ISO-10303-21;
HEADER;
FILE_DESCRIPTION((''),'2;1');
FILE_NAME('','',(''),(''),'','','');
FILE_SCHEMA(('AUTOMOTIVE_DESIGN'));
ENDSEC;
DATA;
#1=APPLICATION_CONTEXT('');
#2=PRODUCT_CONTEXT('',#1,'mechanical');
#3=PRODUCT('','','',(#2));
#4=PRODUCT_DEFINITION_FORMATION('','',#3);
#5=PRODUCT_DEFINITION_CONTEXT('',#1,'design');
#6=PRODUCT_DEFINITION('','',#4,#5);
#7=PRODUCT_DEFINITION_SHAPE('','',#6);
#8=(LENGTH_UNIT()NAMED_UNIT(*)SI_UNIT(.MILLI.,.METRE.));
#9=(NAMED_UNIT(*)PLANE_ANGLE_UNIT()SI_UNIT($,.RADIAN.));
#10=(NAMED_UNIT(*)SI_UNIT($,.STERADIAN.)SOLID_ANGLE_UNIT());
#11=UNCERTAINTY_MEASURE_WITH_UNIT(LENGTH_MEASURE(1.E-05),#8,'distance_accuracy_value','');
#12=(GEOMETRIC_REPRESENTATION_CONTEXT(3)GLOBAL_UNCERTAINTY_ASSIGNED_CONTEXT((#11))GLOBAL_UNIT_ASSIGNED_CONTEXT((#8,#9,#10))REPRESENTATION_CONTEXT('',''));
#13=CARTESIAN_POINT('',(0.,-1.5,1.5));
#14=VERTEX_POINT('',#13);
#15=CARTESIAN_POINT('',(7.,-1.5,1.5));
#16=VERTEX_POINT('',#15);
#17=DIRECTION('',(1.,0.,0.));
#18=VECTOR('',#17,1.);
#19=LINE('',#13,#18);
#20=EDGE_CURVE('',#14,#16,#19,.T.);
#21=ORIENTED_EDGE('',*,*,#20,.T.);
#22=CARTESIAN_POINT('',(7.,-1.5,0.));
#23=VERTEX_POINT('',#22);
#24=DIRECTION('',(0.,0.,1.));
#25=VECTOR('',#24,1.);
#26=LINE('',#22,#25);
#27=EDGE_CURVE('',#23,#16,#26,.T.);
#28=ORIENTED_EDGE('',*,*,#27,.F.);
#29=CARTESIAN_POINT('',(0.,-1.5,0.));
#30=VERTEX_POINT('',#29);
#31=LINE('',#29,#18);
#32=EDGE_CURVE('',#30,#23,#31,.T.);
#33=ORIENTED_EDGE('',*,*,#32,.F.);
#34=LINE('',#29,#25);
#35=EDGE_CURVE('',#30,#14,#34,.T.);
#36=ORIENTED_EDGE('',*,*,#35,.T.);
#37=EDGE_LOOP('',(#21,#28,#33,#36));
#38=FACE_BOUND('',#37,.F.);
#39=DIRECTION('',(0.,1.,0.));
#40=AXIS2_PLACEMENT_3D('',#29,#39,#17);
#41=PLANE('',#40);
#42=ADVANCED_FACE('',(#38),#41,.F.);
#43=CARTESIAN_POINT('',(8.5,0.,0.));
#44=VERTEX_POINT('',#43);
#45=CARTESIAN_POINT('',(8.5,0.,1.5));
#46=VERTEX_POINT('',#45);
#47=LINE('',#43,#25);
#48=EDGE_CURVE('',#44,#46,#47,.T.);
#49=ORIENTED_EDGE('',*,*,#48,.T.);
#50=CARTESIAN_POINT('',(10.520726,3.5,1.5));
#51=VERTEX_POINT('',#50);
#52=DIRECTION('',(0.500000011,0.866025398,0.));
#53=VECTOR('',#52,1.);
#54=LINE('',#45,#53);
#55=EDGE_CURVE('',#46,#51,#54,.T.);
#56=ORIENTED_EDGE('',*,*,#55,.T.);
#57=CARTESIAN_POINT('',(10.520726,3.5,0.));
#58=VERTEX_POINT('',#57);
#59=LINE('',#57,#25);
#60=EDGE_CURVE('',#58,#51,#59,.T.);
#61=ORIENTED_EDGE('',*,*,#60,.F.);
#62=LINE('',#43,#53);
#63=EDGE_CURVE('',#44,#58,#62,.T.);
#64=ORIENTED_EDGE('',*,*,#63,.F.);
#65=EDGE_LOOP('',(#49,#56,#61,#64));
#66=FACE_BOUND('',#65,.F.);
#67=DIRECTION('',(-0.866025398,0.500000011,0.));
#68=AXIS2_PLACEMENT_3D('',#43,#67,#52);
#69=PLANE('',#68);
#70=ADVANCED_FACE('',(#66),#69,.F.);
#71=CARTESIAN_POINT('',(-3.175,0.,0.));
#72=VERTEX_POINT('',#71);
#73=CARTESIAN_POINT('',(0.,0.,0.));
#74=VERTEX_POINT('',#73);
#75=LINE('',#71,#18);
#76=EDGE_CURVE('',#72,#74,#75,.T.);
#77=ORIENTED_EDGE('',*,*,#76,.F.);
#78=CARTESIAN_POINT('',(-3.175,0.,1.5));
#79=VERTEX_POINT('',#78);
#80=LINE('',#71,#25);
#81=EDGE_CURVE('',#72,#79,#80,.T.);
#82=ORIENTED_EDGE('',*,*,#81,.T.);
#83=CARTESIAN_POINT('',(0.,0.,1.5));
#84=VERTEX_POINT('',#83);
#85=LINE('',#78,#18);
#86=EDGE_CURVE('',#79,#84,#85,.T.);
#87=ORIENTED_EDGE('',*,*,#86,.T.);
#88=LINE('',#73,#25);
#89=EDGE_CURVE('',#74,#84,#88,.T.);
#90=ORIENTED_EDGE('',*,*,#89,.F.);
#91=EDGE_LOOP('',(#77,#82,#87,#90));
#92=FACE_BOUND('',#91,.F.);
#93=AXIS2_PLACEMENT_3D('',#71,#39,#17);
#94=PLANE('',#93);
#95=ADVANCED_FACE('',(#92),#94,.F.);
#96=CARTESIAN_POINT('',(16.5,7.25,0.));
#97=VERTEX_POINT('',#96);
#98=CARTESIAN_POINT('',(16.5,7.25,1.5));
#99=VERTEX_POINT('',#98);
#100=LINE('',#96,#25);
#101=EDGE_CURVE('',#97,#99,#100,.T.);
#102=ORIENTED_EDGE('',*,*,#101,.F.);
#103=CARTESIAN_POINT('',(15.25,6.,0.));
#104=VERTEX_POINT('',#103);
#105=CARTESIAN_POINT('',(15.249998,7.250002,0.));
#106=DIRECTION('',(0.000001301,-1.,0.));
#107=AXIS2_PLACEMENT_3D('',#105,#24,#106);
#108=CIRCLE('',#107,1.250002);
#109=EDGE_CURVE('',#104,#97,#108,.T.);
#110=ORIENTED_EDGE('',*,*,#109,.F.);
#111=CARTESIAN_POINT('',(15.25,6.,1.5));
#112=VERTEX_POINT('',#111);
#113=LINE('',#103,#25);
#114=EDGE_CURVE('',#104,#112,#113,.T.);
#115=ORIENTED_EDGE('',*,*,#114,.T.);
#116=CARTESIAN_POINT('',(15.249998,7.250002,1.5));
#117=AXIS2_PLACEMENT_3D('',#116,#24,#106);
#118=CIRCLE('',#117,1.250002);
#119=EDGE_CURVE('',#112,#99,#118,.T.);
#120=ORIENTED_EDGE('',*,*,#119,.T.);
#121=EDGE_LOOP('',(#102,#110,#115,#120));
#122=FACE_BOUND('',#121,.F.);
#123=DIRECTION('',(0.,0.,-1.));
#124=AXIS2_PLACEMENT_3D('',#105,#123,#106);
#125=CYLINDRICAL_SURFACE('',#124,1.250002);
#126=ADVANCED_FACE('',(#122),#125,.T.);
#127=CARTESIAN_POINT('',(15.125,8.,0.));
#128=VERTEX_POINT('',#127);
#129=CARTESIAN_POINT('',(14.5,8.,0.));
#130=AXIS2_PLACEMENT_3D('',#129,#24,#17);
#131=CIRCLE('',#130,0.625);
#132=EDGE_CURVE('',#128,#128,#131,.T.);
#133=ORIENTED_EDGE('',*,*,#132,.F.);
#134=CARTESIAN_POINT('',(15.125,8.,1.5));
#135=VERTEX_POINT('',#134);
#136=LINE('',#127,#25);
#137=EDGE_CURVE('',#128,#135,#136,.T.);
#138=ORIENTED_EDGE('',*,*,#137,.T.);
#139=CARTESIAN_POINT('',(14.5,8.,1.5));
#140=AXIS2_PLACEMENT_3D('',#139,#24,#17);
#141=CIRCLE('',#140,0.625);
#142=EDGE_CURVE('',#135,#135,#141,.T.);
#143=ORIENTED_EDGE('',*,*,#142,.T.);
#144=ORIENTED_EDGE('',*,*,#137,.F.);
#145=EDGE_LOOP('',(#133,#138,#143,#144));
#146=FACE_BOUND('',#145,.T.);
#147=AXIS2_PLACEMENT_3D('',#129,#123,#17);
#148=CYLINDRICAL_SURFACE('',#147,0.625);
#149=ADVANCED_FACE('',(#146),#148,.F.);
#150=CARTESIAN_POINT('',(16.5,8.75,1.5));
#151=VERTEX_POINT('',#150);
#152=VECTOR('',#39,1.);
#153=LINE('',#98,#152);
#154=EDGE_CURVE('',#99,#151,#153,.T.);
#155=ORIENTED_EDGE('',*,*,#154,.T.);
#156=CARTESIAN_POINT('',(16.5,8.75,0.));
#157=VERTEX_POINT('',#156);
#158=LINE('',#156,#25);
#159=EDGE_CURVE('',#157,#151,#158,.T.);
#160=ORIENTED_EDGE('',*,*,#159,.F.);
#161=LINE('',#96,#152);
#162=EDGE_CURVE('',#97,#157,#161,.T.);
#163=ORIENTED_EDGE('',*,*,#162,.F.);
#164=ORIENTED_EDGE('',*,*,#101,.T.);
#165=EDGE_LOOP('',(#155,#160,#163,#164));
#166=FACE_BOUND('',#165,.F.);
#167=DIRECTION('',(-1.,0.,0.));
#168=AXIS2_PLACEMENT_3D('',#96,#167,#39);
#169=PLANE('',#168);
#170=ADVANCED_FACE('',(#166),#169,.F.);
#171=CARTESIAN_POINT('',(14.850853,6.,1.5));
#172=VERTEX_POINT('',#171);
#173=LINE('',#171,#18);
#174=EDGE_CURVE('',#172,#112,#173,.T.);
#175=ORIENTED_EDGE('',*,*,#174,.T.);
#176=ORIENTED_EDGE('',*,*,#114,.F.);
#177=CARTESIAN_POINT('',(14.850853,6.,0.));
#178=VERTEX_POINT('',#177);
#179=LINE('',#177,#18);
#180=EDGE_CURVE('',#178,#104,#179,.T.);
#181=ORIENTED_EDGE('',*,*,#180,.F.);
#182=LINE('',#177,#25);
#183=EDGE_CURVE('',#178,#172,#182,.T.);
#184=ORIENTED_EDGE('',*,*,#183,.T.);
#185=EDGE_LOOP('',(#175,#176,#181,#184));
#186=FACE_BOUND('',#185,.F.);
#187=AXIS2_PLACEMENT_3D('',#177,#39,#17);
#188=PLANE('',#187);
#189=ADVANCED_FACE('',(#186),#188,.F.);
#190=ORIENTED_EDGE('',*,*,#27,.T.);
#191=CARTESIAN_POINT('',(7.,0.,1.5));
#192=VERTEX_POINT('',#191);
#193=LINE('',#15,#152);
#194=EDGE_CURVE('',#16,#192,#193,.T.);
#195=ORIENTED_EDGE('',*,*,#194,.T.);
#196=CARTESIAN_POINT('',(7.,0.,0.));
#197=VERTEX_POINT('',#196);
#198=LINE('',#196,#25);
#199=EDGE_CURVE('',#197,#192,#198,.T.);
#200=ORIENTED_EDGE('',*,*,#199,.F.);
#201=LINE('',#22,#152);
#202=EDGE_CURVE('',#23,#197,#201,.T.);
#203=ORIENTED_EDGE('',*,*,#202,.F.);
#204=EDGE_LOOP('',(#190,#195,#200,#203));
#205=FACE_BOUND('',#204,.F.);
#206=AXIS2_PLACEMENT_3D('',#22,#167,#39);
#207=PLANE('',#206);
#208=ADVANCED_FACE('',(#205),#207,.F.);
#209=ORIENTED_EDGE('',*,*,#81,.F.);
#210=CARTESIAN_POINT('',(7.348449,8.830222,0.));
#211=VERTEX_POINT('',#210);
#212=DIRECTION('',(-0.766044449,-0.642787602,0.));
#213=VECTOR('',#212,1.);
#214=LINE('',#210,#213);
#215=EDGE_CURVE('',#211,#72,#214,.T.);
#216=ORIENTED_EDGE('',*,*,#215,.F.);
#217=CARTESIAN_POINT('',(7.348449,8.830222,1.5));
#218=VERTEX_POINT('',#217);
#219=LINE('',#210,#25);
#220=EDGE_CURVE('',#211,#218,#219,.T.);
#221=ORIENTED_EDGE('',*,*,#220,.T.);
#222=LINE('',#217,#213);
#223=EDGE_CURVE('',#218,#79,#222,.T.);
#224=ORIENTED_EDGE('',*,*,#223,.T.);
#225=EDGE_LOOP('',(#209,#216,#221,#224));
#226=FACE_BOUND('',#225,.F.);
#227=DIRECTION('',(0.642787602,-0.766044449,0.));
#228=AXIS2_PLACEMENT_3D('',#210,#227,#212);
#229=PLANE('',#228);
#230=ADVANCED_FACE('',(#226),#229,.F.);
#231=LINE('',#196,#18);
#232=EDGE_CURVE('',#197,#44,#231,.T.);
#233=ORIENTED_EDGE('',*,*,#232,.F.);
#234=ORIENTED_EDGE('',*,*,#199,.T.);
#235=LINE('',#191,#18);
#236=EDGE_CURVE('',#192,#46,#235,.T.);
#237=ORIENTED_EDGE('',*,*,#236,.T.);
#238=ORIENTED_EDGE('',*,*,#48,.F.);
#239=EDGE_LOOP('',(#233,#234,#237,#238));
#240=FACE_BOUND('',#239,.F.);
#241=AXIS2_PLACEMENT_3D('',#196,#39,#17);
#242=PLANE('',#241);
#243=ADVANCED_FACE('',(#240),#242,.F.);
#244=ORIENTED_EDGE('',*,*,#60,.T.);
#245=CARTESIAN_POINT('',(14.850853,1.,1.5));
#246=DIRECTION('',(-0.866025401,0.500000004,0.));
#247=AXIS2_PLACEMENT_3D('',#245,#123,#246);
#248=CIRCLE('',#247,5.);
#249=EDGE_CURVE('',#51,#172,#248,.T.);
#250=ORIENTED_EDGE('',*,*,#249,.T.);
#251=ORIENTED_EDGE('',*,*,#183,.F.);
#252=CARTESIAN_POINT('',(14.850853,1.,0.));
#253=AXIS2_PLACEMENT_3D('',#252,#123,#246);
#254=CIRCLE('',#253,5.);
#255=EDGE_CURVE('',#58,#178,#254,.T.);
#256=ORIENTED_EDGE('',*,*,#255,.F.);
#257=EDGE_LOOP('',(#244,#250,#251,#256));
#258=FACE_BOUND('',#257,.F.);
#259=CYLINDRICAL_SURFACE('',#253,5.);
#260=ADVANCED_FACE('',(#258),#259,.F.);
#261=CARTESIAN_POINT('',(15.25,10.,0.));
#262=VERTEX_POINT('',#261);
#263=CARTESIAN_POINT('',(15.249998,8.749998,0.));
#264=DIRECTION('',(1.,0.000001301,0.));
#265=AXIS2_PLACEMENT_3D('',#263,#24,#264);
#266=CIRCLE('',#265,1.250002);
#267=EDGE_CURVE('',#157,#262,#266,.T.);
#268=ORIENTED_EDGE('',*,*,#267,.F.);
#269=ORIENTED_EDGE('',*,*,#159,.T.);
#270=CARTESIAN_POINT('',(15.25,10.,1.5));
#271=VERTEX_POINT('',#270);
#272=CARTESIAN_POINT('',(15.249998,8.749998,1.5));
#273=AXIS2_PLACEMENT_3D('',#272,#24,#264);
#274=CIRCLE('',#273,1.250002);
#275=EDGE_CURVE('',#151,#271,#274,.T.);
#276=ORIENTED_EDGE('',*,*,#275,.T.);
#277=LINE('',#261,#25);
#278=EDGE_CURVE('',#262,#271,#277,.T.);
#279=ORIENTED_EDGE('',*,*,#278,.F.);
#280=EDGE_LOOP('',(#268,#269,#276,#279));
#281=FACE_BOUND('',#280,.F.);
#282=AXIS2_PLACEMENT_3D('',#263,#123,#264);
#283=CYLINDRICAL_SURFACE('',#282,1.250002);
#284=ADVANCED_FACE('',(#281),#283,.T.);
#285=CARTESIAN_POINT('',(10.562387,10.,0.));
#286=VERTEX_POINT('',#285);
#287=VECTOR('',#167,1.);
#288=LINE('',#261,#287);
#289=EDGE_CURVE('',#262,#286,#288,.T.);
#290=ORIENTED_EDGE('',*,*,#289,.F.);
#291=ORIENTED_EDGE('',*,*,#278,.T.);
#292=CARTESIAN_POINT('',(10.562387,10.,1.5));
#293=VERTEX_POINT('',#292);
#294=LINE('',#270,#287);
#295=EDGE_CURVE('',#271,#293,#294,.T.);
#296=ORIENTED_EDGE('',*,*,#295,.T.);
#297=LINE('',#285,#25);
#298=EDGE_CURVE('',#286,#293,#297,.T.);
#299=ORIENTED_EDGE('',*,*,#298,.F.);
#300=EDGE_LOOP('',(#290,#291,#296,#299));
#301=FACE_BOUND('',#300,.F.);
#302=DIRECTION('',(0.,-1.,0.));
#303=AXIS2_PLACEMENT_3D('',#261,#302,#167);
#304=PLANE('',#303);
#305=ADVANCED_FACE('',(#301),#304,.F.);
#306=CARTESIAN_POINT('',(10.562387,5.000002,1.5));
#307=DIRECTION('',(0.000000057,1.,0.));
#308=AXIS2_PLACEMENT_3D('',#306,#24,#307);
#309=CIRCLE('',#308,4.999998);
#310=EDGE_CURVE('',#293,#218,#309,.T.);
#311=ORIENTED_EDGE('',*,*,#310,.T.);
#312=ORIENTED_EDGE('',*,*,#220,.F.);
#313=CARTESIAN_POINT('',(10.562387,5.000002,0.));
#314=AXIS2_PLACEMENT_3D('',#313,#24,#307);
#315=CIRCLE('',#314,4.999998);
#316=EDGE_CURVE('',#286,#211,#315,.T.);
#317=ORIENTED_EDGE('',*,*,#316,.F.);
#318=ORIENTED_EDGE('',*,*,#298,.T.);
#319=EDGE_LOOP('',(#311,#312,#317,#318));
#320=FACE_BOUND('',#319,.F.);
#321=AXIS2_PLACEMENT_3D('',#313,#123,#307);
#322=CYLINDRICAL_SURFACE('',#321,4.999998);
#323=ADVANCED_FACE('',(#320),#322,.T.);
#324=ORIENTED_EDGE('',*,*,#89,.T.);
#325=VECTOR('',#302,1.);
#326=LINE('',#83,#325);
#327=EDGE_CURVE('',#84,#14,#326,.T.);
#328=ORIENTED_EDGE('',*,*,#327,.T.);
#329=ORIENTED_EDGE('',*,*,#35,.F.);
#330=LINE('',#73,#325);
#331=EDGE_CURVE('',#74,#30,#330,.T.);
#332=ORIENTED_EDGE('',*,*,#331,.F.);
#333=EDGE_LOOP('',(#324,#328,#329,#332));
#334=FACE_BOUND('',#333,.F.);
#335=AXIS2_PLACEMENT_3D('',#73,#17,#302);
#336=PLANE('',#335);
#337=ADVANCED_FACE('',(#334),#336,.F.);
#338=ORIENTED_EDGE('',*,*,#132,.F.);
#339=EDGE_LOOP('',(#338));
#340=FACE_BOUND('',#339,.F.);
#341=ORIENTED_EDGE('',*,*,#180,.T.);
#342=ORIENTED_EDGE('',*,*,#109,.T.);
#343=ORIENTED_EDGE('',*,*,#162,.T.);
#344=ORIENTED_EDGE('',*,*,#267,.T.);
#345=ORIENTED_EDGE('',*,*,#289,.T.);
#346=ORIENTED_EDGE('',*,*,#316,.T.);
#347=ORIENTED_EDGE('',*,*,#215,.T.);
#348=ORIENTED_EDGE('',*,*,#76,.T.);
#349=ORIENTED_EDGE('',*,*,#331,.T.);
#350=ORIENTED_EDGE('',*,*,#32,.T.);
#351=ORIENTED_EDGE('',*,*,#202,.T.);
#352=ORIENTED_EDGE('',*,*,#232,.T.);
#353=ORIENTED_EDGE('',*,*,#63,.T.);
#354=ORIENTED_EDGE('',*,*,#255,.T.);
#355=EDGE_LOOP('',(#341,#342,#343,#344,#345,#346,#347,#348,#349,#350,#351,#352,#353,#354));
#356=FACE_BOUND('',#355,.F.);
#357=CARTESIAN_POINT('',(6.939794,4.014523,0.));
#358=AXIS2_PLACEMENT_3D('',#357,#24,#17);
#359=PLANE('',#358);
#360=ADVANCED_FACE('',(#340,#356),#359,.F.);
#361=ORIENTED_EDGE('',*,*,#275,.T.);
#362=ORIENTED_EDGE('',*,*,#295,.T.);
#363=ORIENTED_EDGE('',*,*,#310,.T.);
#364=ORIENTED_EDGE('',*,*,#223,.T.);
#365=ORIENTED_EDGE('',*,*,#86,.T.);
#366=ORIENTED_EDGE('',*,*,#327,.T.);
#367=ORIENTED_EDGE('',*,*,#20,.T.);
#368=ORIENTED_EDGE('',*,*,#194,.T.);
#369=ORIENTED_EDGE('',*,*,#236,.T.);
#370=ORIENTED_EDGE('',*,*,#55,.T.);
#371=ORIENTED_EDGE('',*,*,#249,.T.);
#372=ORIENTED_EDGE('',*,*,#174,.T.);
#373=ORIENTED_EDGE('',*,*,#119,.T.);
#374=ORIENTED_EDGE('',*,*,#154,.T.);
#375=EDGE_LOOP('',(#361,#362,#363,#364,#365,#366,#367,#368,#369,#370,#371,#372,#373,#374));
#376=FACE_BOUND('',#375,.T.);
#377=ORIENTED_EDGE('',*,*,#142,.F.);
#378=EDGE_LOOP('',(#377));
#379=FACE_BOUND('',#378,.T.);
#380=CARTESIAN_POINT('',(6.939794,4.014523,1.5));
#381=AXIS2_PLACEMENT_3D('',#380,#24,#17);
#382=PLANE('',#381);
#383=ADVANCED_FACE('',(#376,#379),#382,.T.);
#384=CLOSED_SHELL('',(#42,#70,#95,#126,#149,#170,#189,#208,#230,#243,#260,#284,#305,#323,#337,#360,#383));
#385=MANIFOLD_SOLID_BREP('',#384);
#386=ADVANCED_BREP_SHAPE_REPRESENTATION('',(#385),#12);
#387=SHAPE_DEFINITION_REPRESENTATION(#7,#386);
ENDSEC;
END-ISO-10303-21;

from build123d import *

# Parameters (mm, degrees)
F0_R     = 0.625
F1_DEPTH = 1.5


with BuildPart() as f1:
    # F0 (on Top) → F1 (new body)
    with BuildSketch(Plane.XY):
        with BuildLine():
            Line((-3.175, 0), (0, 0))
            Line((0, 0), (0, -1.5))
            Line((0, -1.5), (7, -1.5))
            Line((7, -1.5), (7, 0))
            Line((7, 0), (8.5, 0))
            Line((8.5, 0), (10.520726, 3.5))
            ThreePointArc((10.520726, 3.5), (12.350853, 5.330127), (14.850853, 6))
            Line((14.850853, 6), (15.25, 6))
            ThreePointArc((15.25, 6), (16.133883, 6.366117), (16.5, 7.25))
            Line((16.5, 7.25), (16.5, 8.75))
            ThreePointArc((16.5, 8.75), (16.133883, 9.633883), (15.25, 10))
            Line((15.25, 10), (10.562387, 10))
            ThreePointArc((10.562387, 10), (8.852286, 9.698463), (7.348449, 8.830222))
            Line((7.348449, 8.830222), (-3.175, 0))
        make_face()
        with Locations((14.5, 8)):
            Circle(F0_R, mode=Mode.SUBTRACT)
    extrude(amount=F1_DEPTH)


solid = f1.part
